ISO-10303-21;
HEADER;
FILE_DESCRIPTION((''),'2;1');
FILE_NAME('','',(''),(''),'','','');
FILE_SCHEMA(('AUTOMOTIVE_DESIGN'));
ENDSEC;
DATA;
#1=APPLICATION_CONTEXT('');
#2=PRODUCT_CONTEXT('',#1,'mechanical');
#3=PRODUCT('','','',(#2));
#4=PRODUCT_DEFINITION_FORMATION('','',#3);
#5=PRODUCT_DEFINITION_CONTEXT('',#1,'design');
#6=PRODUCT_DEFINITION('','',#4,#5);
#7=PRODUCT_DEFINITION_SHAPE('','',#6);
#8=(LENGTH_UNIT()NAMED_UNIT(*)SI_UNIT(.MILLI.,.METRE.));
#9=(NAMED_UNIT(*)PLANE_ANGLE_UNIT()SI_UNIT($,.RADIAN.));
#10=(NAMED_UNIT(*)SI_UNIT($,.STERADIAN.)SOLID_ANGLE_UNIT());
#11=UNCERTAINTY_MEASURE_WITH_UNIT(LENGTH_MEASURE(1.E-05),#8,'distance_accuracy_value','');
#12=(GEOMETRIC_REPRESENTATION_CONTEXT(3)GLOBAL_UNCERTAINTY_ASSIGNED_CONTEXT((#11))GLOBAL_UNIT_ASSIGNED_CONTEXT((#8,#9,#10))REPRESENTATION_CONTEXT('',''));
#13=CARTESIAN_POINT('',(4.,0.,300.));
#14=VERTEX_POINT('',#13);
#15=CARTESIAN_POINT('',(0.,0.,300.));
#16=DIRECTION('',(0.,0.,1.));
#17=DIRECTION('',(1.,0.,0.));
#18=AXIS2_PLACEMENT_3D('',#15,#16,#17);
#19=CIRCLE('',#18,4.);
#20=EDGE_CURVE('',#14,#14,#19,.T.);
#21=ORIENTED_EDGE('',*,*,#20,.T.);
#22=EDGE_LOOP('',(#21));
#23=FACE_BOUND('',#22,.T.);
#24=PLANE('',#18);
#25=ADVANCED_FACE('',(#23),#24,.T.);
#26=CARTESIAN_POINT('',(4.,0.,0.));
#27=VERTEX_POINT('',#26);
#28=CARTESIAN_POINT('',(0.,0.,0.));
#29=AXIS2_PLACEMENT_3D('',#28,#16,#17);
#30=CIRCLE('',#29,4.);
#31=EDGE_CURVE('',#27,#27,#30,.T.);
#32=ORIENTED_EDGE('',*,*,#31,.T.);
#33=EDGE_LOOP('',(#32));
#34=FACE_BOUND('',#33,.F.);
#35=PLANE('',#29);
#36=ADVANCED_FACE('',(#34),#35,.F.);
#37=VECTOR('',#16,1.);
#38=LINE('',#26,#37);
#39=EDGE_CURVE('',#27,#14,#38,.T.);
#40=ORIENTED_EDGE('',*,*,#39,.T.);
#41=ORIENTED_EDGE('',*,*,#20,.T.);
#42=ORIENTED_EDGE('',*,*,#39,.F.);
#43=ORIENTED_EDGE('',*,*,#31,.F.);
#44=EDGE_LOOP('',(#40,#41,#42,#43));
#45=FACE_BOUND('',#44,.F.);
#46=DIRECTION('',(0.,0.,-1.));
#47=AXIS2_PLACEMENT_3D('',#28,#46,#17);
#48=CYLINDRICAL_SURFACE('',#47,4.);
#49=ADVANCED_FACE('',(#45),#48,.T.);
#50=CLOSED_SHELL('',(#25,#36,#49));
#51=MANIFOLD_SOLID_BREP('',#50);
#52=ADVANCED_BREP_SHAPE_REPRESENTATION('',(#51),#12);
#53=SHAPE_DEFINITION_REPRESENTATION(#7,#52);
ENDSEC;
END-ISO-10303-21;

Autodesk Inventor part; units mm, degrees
ref_plane "YZ Plane" through (0, 0, 0) normal (1, 0, 0) x (0, 1, 0)
ref_plane "XZ Plane" through (0, 0, 0) normal (0, 1, 0) x (-1, 0, 0)
ref_plane "XY Plane" through (0, 0, 0) normal (0, 0, 1) x (1, 0, 0)
sketch "Esboço1" plane through (0, 0, 0) normal (0, 0, 1) x (1, 0, 0)
  circle A0 centre (0, 0) radius 4
  dimension "d0" = 8
extrude "Extrusão1" add sketch "Esboço1" along normal blind 300
properties part number "GuiaLinear_8mmx300mm"
